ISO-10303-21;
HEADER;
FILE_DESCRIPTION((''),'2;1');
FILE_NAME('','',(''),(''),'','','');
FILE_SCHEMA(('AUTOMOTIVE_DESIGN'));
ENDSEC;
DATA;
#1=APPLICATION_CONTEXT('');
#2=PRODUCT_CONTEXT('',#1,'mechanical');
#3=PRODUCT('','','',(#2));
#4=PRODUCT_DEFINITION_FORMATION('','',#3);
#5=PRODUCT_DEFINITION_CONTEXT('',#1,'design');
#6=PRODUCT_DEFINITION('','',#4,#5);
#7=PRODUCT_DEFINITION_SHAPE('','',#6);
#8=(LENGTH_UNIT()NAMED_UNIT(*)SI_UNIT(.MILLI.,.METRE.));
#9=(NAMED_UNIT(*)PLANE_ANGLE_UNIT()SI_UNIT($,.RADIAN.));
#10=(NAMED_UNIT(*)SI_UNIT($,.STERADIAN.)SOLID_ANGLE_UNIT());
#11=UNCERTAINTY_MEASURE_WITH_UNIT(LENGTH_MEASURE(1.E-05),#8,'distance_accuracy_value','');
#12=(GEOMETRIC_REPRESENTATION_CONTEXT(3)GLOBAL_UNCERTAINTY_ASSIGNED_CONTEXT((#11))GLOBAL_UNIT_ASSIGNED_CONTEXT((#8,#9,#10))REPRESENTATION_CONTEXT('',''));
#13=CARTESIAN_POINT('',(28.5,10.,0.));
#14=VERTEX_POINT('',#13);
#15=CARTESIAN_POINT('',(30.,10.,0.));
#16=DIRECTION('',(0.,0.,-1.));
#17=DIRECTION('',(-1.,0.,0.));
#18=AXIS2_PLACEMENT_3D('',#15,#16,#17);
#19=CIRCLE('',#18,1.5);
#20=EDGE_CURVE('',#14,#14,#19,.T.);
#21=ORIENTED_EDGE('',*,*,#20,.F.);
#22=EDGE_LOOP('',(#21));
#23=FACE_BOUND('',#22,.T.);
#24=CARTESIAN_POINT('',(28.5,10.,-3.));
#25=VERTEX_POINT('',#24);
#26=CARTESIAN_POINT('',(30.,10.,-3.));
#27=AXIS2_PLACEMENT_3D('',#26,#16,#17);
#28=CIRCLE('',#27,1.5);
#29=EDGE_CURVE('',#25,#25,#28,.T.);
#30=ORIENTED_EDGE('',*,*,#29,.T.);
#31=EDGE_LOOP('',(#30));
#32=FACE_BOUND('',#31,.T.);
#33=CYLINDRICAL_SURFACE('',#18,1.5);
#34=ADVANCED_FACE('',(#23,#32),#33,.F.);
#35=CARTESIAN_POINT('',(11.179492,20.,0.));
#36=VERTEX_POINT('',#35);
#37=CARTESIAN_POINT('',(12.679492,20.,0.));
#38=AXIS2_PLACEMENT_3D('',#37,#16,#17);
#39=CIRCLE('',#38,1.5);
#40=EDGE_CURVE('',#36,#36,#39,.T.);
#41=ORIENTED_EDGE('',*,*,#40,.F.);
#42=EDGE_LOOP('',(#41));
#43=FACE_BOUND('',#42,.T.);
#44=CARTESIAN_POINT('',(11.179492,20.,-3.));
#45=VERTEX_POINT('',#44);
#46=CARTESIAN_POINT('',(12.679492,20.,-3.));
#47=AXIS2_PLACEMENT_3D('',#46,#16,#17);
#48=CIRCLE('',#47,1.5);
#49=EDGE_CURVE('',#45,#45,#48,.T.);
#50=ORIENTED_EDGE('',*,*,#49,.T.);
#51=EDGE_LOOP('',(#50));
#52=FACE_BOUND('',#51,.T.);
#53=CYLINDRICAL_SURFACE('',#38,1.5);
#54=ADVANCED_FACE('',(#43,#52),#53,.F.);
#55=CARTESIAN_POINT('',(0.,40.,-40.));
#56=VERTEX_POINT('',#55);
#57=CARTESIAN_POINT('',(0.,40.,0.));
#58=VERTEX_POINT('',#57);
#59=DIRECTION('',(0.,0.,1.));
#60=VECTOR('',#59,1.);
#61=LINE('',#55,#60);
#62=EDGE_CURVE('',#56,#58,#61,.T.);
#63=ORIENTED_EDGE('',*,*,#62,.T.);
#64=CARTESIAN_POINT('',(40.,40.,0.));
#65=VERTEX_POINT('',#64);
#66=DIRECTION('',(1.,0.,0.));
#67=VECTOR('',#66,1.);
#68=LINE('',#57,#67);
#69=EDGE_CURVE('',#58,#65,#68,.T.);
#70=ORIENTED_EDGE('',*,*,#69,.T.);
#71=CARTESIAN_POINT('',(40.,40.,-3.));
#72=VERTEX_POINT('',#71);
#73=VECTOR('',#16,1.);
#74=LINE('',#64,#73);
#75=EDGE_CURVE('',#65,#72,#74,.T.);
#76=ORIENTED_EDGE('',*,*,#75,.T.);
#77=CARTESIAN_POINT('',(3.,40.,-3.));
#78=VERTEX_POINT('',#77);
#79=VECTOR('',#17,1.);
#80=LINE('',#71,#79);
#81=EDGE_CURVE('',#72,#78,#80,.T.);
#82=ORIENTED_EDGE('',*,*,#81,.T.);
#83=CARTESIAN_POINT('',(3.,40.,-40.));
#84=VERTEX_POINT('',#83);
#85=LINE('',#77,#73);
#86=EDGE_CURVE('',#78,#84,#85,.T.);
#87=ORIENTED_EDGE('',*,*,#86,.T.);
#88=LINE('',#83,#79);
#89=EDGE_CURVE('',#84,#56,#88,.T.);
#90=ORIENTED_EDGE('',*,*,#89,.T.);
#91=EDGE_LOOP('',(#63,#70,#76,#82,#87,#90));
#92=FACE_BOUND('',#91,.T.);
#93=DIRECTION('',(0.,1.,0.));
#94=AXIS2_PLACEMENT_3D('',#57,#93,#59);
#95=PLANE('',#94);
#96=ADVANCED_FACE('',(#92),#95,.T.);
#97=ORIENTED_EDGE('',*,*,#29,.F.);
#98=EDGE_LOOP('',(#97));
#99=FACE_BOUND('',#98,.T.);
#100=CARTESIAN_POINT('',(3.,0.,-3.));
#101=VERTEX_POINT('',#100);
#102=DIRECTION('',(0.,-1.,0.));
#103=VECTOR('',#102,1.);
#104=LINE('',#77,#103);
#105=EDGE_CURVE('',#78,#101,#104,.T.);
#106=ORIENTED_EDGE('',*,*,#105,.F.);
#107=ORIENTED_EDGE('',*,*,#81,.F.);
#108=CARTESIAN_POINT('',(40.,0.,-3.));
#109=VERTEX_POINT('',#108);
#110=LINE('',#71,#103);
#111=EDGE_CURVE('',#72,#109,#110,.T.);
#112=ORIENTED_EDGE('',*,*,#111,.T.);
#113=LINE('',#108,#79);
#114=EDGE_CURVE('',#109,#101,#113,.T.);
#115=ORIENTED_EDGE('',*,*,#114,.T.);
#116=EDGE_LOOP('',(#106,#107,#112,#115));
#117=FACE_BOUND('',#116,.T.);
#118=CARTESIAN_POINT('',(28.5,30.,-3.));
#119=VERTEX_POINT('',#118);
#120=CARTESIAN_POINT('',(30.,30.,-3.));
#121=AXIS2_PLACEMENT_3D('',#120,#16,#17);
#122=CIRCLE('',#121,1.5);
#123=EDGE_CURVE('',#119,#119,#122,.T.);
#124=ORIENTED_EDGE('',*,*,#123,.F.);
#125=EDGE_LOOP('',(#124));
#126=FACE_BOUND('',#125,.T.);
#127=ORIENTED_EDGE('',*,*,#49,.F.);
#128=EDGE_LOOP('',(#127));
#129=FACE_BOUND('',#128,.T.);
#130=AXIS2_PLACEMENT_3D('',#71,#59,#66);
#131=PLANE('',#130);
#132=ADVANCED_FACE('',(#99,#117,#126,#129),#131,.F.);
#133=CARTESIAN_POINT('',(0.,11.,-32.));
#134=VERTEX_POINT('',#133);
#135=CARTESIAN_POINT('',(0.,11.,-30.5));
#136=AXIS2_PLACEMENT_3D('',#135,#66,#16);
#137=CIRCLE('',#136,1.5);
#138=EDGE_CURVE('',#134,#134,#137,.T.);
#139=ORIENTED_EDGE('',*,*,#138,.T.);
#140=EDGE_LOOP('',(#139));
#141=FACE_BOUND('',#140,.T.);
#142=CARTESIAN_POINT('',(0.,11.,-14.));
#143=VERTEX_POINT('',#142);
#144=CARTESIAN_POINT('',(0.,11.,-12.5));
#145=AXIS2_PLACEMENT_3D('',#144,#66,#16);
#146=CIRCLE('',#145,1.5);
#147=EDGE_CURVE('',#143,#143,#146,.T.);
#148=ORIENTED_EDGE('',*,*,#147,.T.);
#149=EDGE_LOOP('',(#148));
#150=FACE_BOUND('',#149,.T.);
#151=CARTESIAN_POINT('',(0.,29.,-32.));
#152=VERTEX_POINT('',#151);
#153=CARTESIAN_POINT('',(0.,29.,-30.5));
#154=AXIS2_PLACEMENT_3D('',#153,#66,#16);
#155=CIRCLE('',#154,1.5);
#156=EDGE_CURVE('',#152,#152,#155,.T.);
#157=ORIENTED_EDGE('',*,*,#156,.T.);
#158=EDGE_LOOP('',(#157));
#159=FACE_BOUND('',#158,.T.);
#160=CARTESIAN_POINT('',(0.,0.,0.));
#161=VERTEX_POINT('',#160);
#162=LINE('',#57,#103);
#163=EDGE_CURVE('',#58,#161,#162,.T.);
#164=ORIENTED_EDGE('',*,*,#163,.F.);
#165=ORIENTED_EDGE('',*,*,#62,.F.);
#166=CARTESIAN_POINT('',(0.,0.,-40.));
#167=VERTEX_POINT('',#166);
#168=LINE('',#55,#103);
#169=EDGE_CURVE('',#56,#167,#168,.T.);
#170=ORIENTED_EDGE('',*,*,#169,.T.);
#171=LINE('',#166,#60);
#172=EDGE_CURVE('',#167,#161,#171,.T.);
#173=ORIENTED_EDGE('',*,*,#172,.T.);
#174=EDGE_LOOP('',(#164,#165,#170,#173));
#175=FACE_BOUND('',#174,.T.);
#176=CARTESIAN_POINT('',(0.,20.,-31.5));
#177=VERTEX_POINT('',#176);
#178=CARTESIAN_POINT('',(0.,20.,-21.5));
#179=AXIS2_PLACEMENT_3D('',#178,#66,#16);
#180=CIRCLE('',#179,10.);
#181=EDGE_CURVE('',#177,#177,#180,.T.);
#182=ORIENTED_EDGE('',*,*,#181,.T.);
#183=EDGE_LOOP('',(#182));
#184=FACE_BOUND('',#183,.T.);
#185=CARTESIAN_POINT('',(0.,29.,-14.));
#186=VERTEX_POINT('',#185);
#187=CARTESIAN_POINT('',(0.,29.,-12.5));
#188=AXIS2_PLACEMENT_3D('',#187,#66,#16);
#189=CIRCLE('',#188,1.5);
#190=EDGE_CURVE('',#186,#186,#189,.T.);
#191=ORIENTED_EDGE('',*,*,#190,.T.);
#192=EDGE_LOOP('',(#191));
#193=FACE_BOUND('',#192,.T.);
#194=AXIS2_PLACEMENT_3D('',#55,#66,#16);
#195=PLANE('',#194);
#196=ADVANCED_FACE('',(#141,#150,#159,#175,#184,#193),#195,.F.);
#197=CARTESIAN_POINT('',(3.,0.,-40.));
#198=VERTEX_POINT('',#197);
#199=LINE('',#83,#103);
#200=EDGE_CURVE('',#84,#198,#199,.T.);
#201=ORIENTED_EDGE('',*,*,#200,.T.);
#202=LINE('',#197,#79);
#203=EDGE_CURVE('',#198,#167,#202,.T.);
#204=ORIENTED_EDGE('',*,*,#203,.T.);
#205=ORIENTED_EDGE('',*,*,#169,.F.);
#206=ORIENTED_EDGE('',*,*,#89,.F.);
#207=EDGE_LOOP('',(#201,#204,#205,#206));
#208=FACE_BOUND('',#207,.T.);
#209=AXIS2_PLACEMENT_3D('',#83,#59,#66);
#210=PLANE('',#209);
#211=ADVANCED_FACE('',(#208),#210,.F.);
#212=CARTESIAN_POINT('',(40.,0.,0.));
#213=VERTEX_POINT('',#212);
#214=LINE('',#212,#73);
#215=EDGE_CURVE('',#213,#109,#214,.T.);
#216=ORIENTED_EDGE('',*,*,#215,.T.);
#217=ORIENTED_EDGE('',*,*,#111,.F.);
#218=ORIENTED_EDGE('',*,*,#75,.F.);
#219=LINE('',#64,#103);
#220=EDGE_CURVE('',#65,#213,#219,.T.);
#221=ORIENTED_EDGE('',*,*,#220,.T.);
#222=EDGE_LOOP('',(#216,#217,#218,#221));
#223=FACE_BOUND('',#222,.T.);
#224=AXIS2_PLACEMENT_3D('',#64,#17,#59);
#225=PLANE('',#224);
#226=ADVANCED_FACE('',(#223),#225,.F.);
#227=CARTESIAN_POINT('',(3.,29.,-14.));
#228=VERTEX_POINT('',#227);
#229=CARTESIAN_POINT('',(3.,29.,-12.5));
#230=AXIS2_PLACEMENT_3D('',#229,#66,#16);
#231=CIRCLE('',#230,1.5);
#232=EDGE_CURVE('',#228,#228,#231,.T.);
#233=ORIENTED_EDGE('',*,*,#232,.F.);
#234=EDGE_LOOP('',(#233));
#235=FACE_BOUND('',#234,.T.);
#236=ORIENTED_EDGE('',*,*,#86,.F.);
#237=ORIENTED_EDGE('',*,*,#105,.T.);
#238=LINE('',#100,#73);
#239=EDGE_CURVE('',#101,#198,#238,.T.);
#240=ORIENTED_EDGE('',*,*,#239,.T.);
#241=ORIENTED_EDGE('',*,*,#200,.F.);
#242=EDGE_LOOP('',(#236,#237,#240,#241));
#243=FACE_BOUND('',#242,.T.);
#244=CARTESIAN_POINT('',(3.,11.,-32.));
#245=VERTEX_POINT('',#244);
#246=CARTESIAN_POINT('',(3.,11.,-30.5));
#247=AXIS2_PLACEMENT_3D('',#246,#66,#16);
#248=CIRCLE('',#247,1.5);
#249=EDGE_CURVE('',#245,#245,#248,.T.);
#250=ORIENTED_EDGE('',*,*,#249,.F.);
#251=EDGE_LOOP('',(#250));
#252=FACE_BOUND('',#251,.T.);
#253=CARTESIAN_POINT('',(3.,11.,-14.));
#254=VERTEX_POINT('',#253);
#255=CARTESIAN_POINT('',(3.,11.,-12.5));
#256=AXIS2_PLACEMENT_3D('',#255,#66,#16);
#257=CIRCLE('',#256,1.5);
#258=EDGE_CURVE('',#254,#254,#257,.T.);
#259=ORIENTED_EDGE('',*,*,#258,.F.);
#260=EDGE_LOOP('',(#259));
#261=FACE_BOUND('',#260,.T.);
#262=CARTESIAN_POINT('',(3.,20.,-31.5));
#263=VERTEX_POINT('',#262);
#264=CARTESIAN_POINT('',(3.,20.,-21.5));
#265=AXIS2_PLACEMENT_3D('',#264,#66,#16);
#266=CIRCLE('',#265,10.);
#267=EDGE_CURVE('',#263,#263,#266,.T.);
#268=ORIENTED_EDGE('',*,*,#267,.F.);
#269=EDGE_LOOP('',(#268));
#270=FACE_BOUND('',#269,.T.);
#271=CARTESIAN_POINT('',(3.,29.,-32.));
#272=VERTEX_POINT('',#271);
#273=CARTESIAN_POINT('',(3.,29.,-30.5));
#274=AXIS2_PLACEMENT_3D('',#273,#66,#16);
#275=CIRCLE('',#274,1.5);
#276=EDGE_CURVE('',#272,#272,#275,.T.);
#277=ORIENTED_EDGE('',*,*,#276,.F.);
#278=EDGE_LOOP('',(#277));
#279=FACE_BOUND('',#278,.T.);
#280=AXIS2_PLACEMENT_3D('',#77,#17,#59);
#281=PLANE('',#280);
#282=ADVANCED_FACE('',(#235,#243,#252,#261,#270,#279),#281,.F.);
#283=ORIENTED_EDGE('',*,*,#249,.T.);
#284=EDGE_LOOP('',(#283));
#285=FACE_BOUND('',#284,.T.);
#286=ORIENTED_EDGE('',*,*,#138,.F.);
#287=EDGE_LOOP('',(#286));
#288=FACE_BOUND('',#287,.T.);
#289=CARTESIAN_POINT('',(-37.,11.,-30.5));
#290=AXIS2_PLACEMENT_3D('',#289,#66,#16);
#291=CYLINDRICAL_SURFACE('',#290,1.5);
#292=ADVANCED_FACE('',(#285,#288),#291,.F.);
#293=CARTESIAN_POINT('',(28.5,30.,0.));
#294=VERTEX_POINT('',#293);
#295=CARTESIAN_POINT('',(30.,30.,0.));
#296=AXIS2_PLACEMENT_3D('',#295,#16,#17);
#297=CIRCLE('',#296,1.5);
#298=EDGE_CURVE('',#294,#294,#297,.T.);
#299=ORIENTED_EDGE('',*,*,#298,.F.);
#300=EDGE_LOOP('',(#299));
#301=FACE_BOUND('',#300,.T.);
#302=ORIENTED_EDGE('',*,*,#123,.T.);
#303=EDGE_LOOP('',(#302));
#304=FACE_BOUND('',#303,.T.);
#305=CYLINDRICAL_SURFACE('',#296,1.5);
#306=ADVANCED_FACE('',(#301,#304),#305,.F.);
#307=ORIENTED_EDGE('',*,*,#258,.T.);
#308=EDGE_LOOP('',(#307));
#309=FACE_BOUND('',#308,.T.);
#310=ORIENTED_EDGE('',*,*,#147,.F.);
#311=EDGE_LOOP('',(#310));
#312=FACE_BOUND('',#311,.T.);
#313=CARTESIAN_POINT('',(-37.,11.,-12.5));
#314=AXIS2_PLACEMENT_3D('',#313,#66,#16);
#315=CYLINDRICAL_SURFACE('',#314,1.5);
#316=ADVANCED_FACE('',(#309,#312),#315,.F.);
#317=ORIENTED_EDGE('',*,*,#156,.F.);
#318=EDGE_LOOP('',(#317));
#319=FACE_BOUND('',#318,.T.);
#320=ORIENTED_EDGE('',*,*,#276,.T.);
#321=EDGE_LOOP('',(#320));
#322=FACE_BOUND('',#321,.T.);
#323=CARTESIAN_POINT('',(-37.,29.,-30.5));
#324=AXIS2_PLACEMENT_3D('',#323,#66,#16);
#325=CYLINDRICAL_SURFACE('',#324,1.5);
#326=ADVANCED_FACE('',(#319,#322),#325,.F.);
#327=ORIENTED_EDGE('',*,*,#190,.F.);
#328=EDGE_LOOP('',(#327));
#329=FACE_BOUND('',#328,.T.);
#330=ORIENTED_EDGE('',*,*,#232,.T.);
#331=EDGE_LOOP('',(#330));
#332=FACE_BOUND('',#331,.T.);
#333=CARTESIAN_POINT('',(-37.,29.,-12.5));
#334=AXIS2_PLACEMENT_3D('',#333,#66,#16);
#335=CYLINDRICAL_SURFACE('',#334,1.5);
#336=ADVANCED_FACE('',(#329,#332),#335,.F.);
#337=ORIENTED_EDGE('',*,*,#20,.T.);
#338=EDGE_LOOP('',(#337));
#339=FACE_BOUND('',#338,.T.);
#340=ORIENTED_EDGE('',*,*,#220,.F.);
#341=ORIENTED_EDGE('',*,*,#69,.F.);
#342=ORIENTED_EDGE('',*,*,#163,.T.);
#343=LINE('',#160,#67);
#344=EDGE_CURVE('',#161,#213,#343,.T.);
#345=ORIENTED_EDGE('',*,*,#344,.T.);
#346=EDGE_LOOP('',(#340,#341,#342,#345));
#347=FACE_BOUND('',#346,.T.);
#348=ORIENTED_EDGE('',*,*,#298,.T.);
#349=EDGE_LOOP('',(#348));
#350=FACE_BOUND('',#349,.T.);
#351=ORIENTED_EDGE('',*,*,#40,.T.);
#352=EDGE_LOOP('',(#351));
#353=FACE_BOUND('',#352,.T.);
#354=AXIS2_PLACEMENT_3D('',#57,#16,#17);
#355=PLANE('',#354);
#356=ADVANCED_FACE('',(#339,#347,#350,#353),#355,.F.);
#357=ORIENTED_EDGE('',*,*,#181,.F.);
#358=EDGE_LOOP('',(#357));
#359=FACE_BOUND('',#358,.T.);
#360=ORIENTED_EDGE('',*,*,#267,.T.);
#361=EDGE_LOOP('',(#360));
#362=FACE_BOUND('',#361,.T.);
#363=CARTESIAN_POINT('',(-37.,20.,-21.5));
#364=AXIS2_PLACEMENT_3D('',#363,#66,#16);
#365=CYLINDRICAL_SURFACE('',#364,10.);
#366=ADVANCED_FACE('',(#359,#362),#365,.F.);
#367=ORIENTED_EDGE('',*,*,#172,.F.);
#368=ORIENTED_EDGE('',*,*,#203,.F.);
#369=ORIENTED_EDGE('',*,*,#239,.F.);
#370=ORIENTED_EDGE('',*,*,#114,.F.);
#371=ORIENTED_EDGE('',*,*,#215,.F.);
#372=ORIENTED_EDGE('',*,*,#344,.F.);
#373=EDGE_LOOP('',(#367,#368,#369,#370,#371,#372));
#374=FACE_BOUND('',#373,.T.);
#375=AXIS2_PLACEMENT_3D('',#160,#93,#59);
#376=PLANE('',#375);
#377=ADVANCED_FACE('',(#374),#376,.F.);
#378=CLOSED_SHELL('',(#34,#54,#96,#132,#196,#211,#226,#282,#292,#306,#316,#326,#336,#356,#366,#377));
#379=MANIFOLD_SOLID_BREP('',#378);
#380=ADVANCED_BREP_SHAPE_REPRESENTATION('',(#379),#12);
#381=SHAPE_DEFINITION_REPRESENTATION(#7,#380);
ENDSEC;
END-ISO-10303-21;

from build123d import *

# Parameters (mm, degrees)
EXTRUDE_1_DEPTH     = 40
SKETCH_2_R          = 10
SKETCH_2_R_2        = 1.5
CUT_EXTRUDE_1_DEPTH = 40
SKETCH_3_R          = 1.5
CUT_EXTRUDE_2_DEPTH = 68.594378464


with BuildPart() as part:
    # Эскиз1 → Бобышка-Вытянуть1 (new body)
    with BuildSketch(Plane(origin=(0, 0, 0), x_dir=(1, 0, 0), z_dir=(0, 1, 0))):
        Polygon((0, 0), (40, 0), (40, 3), (3, 3), (3, 40), (0, 40), align=None)
    extrude(amount=EXTRUDE_1_DEPTH)

    # Эскиз2 → Вырез-Вытянуть1 (cut)
    with BuildSketch(Plane(origin=(3, 0, 0), x_dir=(0, 0, -1), z_dir=(1, 0, 0))):
        with Locations((21.5, 20)):
            Circle(SKETCH_2_R)
        with Locations((30.5, 29)):
            Circle(SKETCH_2_R_2)
        with Locations((30.5, 11)):
            Circle(SKETCH_2_R_2)
        with Locations((12.5, 11)):
            Circle(SKETCH_2_R_2)
        with Locations((12.5, 29)):
            Circle(SKETCH_2_R_2)
    extrude(amount=-CUT_EXTRUDE_1_DEPTH, mode=Mode.SUBTRACT)

    # Эскиз3 → Вырез-Вытянуть2 (cut, through all)
    with BuildSketch(Plane(origin=(0, 0, -3), x_dir=(-1, 0, 0), z_dir=(0, 0, -1))):
        with Locations((-30, 30)):
            Circle(SKETCH_3_R)
        with Locations((-12.679491924, 20)):
            Circle(SKETCH_3_R)
        with Locations((-30, 10)):
            Circle(SKETCH_3_R)
    extrude(amount=-CUT_EXTRUDE_2_DEPTH, mode=Mode.SUBTRACT)


solid = part.part
